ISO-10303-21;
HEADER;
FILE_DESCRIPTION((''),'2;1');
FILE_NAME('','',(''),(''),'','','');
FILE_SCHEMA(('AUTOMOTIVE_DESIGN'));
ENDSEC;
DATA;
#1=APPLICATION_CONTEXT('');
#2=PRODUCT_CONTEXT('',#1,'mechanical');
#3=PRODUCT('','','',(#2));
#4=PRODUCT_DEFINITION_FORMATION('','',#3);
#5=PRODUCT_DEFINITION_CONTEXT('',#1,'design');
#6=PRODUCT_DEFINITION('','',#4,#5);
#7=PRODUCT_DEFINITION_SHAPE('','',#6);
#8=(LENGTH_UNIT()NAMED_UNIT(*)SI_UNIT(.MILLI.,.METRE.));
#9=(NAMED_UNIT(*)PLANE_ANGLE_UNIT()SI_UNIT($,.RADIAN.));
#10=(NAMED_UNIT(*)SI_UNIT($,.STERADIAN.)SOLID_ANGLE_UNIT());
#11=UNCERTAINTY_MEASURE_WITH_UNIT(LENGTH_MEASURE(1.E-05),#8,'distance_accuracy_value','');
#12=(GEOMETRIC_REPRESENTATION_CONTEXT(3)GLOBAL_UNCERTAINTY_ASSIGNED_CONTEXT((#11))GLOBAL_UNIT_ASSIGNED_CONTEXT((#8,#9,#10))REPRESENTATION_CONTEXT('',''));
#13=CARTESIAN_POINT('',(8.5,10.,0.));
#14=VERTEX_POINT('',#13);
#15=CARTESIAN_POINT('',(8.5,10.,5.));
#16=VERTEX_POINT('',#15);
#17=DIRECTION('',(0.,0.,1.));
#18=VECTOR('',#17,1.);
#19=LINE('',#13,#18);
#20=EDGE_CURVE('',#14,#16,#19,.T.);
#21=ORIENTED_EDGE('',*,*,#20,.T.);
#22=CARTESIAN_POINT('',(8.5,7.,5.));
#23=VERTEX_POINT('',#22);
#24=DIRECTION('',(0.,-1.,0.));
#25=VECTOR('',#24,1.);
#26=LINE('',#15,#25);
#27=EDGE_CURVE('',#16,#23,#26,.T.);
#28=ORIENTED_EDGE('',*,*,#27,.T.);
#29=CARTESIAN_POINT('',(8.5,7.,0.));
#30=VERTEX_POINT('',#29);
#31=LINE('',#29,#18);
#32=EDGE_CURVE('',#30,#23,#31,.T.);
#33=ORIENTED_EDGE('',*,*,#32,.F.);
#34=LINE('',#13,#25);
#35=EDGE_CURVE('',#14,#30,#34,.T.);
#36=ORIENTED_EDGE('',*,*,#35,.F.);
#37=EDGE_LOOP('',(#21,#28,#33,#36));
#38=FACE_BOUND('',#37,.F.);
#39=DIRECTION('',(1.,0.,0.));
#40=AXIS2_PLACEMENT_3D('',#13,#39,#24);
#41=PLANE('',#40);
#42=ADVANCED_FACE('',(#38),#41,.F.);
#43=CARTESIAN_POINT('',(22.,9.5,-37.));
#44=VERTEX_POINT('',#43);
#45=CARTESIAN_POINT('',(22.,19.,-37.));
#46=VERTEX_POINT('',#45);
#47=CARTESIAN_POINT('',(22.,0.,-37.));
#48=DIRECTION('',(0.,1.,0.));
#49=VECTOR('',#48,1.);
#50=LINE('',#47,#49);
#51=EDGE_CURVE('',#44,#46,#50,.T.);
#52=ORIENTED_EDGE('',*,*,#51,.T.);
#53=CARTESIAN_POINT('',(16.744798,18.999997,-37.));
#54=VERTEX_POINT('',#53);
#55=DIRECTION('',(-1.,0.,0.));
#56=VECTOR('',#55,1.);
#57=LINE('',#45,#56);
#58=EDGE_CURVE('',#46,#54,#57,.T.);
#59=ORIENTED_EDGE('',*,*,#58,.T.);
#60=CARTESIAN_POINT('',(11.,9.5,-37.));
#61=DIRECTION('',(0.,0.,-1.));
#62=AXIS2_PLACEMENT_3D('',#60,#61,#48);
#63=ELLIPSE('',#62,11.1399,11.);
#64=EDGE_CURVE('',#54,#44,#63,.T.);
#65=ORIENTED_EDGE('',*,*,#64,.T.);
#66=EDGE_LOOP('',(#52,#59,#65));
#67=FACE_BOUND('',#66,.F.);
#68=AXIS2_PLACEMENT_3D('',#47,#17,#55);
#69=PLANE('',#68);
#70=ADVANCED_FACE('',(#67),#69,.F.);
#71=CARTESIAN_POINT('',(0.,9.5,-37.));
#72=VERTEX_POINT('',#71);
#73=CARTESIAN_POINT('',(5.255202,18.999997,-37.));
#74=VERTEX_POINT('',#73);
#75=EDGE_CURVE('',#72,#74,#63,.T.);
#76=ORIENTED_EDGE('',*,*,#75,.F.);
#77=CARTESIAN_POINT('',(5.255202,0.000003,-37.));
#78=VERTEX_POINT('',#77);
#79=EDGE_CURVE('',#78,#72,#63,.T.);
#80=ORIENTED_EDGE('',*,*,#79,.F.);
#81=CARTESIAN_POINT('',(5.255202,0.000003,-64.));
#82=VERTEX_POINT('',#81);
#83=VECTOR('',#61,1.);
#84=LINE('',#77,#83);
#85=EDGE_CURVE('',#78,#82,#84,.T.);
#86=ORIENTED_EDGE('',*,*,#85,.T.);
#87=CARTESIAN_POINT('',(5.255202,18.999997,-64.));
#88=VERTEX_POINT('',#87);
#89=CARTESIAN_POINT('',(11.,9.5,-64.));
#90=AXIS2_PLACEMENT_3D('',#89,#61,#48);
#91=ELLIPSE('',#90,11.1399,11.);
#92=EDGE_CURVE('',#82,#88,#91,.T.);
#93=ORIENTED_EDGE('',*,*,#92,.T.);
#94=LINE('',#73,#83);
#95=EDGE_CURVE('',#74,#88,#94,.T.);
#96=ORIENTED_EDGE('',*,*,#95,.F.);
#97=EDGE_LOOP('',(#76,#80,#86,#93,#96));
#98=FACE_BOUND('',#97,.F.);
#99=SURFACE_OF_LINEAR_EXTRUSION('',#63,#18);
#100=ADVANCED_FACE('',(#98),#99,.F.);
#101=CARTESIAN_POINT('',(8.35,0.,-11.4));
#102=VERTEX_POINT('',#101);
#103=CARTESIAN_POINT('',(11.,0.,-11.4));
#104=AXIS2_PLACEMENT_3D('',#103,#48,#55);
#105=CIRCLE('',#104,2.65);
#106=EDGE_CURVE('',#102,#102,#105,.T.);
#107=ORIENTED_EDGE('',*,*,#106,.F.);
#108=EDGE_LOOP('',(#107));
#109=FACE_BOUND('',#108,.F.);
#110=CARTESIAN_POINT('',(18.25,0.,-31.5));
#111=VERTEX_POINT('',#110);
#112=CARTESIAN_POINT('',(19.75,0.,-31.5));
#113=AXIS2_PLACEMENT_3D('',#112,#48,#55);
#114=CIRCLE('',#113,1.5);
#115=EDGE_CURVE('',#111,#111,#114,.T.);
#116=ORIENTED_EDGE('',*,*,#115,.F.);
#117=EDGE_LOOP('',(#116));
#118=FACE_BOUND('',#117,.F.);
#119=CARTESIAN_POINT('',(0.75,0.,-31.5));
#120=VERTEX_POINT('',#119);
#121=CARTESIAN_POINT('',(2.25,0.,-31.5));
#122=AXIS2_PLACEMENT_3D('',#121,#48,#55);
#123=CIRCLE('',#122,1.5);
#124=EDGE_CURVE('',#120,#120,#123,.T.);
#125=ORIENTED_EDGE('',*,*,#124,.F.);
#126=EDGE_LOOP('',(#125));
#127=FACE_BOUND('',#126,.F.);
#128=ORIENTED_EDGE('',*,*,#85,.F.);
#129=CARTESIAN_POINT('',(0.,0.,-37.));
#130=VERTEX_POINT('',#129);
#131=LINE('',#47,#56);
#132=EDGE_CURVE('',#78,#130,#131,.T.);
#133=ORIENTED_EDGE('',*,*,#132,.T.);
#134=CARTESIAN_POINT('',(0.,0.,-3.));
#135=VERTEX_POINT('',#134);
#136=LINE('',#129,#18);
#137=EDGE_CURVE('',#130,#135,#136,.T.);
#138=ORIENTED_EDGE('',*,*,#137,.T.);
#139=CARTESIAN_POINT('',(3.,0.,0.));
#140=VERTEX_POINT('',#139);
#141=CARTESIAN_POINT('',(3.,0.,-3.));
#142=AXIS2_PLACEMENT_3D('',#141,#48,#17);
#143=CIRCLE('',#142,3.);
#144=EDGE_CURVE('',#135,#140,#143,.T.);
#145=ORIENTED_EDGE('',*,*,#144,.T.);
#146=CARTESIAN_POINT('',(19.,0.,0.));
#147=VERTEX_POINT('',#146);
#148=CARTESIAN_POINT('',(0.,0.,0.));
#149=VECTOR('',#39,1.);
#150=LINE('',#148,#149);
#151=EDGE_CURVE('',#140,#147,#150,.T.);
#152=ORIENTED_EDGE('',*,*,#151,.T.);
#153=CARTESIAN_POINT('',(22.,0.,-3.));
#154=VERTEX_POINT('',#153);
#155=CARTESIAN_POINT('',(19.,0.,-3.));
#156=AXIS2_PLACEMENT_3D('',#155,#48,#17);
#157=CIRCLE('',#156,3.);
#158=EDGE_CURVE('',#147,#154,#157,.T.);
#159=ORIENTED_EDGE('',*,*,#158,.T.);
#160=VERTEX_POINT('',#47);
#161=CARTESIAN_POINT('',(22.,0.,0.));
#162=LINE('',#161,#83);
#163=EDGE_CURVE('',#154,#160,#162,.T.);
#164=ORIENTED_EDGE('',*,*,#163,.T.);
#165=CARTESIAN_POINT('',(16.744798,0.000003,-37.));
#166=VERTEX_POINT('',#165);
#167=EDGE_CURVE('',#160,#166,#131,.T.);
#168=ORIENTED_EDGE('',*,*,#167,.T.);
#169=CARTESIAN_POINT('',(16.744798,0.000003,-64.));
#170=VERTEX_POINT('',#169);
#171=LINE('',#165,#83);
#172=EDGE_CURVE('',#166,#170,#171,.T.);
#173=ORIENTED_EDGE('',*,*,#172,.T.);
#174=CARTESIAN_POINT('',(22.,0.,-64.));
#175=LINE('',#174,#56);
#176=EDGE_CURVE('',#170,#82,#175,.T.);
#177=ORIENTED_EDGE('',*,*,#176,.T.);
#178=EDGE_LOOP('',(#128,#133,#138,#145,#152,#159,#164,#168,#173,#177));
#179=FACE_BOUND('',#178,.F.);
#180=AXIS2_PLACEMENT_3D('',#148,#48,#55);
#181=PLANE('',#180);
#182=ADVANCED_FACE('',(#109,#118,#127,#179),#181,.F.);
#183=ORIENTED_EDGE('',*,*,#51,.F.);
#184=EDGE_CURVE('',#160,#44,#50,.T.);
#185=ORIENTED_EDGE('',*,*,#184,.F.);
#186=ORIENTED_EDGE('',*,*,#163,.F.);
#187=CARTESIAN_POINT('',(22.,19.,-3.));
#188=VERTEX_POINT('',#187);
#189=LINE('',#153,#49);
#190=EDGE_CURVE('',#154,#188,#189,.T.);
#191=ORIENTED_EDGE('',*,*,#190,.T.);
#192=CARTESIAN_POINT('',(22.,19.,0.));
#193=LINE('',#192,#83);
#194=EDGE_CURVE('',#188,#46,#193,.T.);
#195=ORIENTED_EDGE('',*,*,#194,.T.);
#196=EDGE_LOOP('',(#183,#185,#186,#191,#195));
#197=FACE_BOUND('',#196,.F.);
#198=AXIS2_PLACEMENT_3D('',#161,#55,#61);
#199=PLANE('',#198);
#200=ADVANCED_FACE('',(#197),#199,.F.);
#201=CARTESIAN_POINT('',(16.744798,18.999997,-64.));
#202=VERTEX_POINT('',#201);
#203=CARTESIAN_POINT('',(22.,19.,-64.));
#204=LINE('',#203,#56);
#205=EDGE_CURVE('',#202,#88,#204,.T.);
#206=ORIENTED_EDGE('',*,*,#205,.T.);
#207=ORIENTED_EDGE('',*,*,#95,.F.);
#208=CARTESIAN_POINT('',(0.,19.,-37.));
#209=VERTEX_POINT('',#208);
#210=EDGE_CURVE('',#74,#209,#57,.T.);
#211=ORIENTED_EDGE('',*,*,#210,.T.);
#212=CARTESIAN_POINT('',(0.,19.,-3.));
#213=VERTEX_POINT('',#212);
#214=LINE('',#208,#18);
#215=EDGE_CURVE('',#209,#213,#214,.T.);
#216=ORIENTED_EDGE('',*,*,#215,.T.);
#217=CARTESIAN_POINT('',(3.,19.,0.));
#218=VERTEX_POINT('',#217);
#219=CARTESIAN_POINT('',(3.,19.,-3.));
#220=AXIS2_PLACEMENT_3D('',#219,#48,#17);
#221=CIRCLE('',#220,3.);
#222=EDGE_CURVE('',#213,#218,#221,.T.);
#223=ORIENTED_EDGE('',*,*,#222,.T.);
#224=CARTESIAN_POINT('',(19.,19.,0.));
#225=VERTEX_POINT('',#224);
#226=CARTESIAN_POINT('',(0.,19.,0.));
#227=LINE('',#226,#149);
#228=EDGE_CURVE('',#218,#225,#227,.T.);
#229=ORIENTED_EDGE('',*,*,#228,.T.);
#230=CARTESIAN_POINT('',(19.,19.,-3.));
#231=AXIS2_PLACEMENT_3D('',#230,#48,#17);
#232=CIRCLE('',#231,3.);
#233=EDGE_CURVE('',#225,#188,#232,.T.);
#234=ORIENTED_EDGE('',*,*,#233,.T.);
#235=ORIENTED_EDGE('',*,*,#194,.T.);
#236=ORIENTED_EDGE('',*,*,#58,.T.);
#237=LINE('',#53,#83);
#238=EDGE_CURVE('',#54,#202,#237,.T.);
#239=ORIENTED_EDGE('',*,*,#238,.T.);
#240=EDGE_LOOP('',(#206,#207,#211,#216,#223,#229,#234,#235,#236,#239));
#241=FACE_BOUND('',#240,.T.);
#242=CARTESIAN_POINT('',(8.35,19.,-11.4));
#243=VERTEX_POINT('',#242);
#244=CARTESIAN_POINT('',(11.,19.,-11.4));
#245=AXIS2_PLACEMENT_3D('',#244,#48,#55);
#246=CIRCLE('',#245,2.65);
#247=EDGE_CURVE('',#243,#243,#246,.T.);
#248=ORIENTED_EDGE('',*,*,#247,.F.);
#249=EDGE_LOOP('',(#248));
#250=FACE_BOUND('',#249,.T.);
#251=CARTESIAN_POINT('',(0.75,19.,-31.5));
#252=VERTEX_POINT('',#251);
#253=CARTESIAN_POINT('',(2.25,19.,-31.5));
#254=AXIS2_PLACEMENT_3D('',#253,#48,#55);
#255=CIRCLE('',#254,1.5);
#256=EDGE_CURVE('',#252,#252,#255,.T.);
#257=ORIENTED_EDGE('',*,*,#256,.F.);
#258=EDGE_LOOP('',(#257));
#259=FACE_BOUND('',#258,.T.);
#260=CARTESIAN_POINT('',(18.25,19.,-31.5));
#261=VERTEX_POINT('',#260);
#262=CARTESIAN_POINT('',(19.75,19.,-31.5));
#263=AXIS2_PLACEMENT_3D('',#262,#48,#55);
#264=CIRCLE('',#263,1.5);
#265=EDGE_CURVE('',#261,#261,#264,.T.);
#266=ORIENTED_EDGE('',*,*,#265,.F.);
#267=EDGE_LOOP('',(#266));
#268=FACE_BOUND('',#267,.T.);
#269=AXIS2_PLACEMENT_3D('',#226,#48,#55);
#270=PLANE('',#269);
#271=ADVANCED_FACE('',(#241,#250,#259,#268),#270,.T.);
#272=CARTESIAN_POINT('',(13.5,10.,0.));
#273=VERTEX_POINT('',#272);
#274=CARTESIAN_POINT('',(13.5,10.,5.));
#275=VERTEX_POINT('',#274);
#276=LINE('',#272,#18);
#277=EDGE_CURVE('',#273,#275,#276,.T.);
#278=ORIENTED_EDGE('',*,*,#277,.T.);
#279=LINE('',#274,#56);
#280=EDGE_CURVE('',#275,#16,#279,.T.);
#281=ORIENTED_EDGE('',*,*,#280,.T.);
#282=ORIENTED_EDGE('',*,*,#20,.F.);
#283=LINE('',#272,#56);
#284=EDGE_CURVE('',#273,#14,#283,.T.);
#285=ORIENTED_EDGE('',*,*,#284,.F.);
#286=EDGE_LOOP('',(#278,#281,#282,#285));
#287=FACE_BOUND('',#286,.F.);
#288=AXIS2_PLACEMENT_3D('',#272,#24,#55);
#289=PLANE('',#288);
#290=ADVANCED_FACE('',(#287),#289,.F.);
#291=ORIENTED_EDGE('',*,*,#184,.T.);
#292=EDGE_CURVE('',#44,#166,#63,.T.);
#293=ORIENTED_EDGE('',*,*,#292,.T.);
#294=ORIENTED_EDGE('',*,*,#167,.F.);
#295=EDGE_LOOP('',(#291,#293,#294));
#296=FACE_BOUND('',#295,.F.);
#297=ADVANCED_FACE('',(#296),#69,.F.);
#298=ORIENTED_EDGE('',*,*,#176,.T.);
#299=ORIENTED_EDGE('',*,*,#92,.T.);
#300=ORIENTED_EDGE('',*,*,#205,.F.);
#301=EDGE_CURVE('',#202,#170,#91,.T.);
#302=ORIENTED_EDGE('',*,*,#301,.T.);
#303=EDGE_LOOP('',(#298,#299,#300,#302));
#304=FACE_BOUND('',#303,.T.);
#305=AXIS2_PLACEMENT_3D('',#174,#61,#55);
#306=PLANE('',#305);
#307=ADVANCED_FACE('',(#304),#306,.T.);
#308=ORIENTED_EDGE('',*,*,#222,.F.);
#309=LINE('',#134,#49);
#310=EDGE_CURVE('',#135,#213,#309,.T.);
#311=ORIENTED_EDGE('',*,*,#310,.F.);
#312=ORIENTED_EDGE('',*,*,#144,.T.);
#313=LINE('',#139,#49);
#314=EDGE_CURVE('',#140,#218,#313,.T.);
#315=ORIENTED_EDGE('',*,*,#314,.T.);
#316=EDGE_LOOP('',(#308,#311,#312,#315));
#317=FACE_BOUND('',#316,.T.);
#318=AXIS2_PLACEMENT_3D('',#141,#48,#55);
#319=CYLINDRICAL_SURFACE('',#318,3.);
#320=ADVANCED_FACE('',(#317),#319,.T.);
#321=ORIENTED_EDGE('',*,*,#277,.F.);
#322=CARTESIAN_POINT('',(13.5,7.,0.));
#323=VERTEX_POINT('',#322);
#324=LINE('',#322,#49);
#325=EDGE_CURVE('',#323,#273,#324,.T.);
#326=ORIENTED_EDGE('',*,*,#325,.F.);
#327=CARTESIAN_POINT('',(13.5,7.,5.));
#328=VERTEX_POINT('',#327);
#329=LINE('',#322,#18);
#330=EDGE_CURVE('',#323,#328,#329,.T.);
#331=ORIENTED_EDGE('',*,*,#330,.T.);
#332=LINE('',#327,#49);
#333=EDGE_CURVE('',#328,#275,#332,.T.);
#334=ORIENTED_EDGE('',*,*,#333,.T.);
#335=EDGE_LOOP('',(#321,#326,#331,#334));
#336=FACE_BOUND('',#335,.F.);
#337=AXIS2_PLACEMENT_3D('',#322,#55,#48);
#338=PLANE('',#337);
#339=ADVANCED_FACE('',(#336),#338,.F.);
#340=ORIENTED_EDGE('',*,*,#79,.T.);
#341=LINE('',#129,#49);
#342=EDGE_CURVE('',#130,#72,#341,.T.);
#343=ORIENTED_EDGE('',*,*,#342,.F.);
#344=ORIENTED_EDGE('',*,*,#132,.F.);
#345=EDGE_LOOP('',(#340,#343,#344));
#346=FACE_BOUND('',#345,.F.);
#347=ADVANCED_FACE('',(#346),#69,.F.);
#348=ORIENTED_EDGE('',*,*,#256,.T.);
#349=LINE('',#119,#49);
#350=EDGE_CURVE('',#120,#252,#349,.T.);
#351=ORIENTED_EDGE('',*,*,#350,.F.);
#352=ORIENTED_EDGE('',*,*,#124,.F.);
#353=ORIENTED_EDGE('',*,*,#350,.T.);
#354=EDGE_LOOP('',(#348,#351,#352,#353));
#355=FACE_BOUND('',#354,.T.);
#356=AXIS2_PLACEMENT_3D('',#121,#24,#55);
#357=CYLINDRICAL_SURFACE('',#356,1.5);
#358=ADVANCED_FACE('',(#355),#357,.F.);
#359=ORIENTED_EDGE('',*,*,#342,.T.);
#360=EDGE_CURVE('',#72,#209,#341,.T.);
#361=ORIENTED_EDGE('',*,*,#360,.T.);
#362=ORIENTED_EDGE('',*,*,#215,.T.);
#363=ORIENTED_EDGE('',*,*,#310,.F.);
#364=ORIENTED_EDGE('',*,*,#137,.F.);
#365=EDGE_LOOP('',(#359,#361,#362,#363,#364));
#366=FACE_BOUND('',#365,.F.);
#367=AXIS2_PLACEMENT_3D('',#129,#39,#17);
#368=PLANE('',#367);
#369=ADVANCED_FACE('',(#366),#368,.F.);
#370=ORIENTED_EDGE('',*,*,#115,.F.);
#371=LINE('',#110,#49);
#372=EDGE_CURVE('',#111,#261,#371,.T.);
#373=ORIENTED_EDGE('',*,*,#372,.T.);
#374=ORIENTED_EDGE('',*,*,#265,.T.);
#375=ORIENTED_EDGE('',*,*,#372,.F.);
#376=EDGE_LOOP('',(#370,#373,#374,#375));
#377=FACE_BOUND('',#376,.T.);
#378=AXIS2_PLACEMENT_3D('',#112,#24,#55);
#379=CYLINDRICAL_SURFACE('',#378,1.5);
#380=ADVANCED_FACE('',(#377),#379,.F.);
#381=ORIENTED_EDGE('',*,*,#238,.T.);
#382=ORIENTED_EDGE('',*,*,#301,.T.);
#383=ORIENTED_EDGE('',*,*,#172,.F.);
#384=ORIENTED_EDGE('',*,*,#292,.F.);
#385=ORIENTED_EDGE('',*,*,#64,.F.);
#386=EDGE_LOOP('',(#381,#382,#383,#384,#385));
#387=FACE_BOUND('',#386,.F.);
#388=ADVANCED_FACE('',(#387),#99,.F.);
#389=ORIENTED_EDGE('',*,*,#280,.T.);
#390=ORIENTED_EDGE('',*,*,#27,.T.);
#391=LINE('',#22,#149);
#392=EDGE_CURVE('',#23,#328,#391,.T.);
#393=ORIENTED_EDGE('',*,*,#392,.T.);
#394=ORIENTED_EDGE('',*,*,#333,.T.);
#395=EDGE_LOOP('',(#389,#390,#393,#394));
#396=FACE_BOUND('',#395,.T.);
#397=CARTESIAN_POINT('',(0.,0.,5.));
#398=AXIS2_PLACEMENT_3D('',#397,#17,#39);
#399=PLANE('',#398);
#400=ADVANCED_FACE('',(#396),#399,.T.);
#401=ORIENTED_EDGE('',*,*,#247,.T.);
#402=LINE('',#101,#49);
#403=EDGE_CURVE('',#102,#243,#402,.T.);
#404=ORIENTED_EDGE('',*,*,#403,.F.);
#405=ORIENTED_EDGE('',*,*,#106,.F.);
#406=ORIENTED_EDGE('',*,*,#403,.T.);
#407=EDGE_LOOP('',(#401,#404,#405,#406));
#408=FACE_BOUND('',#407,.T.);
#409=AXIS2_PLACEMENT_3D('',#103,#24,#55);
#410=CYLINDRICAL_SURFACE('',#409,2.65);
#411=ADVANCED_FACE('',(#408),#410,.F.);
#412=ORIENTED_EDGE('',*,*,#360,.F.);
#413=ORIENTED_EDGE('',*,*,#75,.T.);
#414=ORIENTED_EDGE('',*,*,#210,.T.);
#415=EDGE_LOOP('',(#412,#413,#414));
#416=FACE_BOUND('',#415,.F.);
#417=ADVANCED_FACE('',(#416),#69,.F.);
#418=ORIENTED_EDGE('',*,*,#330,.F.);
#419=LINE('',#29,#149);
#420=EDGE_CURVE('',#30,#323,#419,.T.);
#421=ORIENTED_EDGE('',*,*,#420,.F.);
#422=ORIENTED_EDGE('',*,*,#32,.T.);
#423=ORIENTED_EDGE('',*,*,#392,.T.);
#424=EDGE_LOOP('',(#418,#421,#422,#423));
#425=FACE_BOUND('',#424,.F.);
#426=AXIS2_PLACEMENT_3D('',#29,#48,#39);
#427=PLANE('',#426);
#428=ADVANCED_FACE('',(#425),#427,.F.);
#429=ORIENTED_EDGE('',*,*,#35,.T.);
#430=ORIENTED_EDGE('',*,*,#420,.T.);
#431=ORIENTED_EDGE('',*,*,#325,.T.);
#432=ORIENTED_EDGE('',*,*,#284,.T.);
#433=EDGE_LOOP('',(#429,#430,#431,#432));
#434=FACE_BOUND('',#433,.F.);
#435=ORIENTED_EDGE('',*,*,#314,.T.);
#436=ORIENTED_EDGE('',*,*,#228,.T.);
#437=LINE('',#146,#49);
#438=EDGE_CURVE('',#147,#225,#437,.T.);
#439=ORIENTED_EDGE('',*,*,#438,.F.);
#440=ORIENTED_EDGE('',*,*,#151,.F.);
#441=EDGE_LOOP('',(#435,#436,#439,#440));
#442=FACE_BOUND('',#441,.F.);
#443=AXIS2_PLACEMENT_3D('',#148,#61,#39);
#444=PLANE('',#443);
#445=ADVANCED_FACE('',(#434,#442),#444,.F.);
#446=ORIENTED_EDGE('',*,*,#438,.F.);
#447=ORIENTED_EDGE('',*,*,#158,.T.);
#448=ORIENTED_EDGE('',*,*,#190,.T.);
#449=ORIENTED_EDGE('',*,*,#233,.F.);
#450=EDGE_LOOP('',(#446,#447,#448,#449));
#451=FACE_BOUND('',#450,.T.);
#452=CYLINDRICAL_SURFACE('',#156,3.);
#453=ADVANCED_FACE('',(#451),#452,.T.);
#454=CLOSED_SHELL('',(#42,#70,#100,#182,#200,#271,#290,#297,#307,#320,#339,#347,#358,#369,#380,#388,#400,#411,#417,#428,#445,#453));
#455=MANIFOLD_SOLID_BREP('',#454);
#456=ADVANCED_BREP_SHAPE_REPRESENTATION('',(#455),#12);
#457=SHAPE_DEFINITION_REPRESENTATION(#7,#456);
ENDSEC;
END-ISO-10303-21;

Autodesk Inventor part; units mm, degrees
ref_plane "YZ Plane" through (0, 0, 0) normal (1, 0, 0) x (0, 1, 0)
ref_plane "XZ Plane" through (0, 0, 0) normal (0, 1, 0) x (-1, 0, 0)
ref_plane "XY Plane" through (0, 0, 0) normal (0, 0, 1) x (1, 0, 0)
sketch "Sketch1" plane through (0, 0, 0) normal (0, 1, 0) x (-1, 0, 0)
  line L0 (0, 0) -> (-22, 0)
  line L1 (-22, 0) -> (-22, -37)
  line L2 (-22, -37) -> (0, -37)
  line L3 (0, -37) -> (0, 0)
  line L4 (-11, -37) -> (-11, 0) construction
  circle A0 centre (-11, -11.4) radius 2.65
  circle A1 centre (-19.75, -31.5) radius 1.5
  circle A2 centre (-2.25, -31.5) radius 1.5
  dimension "gearboxWidth" = 22
  dimension "gearboxLength" = 37
  dimension "shaftDiameter" = 5.3
  dimension "shaftCenterToBottom" = 11.4
  dimension "mountHolesDiameter" = 3
  dimension "mountHolesCenterToCenter" = 17.5
  dimension "mountHolesCenterToEdge" = 5.5
extrude "Extrusion1" add sketch "Sketch1" along normal blind 19
sketch "Sketch2" plane through (22, 0, -37) normal (0, 0, -1) x (-1, 0, 0)
  line L0 (0, 19) -> (22, 19) projected
  line L1 (11, 19) -> (11, 0) construction
  line L2 (0, 0) -> (22, 0) projected
  ellipse E0 centre (11, 9.5) end of major axis (22, 9.5) minor radius 11.1399 (16.7448, 0) -> (16.7448, 19) ccw
  ellipse E1 centre (11, 9.5) end of major axis (22, 9.5) minor radius 11.1399 (5.2552, 19) -> (5.2552, 0) ccw
  line L3 (5.2552, 19) -> (16.7448, 19)
  line L4 (5.2552, 0) -> (16.7448, 0)
extrude "Extrusion2" add sketch "Sketch2" along normal blind 27
fillet "Fillet1" radius 3 2 edges at (0, 9.5, 0) (22, 9.5, 0)
sketch "Sketch3" plane through (0, 0, 0) normal (0, 0, 1) x (1, 0, 0)
  line L0 (0, 0) -> (22, 0) projected
  line L1 (16.7448, 0) -> (5.2552, 0) projected
  line L2 (11, 0) -> (11, 18.9763) construction
  line L3 (8.5, 10) -> (8.5, 7)
  line L4 (8.5, 7) -> (13.5, 7)
  line L5 (13.5, 7) -> (13.5, 10)
  line L6 (13.5, 10) -> (8.5, 10)
  line L7 (8.5, 10) -> (13.5, 7) construction
  line L8 (8.5, 7) -> (13.5, 10) construction
  point P0 (11, 8.5)
  dimension "gearboxTabWidth" = 5
  dimension "gearboxTabHeight" = 3
  dimension "gearboxTabOffsetFromBottom" = 7
extrude "Extrusion3" add sketch "Sketch3" along normal blind 5
properties part number "Yellow_Motor"
